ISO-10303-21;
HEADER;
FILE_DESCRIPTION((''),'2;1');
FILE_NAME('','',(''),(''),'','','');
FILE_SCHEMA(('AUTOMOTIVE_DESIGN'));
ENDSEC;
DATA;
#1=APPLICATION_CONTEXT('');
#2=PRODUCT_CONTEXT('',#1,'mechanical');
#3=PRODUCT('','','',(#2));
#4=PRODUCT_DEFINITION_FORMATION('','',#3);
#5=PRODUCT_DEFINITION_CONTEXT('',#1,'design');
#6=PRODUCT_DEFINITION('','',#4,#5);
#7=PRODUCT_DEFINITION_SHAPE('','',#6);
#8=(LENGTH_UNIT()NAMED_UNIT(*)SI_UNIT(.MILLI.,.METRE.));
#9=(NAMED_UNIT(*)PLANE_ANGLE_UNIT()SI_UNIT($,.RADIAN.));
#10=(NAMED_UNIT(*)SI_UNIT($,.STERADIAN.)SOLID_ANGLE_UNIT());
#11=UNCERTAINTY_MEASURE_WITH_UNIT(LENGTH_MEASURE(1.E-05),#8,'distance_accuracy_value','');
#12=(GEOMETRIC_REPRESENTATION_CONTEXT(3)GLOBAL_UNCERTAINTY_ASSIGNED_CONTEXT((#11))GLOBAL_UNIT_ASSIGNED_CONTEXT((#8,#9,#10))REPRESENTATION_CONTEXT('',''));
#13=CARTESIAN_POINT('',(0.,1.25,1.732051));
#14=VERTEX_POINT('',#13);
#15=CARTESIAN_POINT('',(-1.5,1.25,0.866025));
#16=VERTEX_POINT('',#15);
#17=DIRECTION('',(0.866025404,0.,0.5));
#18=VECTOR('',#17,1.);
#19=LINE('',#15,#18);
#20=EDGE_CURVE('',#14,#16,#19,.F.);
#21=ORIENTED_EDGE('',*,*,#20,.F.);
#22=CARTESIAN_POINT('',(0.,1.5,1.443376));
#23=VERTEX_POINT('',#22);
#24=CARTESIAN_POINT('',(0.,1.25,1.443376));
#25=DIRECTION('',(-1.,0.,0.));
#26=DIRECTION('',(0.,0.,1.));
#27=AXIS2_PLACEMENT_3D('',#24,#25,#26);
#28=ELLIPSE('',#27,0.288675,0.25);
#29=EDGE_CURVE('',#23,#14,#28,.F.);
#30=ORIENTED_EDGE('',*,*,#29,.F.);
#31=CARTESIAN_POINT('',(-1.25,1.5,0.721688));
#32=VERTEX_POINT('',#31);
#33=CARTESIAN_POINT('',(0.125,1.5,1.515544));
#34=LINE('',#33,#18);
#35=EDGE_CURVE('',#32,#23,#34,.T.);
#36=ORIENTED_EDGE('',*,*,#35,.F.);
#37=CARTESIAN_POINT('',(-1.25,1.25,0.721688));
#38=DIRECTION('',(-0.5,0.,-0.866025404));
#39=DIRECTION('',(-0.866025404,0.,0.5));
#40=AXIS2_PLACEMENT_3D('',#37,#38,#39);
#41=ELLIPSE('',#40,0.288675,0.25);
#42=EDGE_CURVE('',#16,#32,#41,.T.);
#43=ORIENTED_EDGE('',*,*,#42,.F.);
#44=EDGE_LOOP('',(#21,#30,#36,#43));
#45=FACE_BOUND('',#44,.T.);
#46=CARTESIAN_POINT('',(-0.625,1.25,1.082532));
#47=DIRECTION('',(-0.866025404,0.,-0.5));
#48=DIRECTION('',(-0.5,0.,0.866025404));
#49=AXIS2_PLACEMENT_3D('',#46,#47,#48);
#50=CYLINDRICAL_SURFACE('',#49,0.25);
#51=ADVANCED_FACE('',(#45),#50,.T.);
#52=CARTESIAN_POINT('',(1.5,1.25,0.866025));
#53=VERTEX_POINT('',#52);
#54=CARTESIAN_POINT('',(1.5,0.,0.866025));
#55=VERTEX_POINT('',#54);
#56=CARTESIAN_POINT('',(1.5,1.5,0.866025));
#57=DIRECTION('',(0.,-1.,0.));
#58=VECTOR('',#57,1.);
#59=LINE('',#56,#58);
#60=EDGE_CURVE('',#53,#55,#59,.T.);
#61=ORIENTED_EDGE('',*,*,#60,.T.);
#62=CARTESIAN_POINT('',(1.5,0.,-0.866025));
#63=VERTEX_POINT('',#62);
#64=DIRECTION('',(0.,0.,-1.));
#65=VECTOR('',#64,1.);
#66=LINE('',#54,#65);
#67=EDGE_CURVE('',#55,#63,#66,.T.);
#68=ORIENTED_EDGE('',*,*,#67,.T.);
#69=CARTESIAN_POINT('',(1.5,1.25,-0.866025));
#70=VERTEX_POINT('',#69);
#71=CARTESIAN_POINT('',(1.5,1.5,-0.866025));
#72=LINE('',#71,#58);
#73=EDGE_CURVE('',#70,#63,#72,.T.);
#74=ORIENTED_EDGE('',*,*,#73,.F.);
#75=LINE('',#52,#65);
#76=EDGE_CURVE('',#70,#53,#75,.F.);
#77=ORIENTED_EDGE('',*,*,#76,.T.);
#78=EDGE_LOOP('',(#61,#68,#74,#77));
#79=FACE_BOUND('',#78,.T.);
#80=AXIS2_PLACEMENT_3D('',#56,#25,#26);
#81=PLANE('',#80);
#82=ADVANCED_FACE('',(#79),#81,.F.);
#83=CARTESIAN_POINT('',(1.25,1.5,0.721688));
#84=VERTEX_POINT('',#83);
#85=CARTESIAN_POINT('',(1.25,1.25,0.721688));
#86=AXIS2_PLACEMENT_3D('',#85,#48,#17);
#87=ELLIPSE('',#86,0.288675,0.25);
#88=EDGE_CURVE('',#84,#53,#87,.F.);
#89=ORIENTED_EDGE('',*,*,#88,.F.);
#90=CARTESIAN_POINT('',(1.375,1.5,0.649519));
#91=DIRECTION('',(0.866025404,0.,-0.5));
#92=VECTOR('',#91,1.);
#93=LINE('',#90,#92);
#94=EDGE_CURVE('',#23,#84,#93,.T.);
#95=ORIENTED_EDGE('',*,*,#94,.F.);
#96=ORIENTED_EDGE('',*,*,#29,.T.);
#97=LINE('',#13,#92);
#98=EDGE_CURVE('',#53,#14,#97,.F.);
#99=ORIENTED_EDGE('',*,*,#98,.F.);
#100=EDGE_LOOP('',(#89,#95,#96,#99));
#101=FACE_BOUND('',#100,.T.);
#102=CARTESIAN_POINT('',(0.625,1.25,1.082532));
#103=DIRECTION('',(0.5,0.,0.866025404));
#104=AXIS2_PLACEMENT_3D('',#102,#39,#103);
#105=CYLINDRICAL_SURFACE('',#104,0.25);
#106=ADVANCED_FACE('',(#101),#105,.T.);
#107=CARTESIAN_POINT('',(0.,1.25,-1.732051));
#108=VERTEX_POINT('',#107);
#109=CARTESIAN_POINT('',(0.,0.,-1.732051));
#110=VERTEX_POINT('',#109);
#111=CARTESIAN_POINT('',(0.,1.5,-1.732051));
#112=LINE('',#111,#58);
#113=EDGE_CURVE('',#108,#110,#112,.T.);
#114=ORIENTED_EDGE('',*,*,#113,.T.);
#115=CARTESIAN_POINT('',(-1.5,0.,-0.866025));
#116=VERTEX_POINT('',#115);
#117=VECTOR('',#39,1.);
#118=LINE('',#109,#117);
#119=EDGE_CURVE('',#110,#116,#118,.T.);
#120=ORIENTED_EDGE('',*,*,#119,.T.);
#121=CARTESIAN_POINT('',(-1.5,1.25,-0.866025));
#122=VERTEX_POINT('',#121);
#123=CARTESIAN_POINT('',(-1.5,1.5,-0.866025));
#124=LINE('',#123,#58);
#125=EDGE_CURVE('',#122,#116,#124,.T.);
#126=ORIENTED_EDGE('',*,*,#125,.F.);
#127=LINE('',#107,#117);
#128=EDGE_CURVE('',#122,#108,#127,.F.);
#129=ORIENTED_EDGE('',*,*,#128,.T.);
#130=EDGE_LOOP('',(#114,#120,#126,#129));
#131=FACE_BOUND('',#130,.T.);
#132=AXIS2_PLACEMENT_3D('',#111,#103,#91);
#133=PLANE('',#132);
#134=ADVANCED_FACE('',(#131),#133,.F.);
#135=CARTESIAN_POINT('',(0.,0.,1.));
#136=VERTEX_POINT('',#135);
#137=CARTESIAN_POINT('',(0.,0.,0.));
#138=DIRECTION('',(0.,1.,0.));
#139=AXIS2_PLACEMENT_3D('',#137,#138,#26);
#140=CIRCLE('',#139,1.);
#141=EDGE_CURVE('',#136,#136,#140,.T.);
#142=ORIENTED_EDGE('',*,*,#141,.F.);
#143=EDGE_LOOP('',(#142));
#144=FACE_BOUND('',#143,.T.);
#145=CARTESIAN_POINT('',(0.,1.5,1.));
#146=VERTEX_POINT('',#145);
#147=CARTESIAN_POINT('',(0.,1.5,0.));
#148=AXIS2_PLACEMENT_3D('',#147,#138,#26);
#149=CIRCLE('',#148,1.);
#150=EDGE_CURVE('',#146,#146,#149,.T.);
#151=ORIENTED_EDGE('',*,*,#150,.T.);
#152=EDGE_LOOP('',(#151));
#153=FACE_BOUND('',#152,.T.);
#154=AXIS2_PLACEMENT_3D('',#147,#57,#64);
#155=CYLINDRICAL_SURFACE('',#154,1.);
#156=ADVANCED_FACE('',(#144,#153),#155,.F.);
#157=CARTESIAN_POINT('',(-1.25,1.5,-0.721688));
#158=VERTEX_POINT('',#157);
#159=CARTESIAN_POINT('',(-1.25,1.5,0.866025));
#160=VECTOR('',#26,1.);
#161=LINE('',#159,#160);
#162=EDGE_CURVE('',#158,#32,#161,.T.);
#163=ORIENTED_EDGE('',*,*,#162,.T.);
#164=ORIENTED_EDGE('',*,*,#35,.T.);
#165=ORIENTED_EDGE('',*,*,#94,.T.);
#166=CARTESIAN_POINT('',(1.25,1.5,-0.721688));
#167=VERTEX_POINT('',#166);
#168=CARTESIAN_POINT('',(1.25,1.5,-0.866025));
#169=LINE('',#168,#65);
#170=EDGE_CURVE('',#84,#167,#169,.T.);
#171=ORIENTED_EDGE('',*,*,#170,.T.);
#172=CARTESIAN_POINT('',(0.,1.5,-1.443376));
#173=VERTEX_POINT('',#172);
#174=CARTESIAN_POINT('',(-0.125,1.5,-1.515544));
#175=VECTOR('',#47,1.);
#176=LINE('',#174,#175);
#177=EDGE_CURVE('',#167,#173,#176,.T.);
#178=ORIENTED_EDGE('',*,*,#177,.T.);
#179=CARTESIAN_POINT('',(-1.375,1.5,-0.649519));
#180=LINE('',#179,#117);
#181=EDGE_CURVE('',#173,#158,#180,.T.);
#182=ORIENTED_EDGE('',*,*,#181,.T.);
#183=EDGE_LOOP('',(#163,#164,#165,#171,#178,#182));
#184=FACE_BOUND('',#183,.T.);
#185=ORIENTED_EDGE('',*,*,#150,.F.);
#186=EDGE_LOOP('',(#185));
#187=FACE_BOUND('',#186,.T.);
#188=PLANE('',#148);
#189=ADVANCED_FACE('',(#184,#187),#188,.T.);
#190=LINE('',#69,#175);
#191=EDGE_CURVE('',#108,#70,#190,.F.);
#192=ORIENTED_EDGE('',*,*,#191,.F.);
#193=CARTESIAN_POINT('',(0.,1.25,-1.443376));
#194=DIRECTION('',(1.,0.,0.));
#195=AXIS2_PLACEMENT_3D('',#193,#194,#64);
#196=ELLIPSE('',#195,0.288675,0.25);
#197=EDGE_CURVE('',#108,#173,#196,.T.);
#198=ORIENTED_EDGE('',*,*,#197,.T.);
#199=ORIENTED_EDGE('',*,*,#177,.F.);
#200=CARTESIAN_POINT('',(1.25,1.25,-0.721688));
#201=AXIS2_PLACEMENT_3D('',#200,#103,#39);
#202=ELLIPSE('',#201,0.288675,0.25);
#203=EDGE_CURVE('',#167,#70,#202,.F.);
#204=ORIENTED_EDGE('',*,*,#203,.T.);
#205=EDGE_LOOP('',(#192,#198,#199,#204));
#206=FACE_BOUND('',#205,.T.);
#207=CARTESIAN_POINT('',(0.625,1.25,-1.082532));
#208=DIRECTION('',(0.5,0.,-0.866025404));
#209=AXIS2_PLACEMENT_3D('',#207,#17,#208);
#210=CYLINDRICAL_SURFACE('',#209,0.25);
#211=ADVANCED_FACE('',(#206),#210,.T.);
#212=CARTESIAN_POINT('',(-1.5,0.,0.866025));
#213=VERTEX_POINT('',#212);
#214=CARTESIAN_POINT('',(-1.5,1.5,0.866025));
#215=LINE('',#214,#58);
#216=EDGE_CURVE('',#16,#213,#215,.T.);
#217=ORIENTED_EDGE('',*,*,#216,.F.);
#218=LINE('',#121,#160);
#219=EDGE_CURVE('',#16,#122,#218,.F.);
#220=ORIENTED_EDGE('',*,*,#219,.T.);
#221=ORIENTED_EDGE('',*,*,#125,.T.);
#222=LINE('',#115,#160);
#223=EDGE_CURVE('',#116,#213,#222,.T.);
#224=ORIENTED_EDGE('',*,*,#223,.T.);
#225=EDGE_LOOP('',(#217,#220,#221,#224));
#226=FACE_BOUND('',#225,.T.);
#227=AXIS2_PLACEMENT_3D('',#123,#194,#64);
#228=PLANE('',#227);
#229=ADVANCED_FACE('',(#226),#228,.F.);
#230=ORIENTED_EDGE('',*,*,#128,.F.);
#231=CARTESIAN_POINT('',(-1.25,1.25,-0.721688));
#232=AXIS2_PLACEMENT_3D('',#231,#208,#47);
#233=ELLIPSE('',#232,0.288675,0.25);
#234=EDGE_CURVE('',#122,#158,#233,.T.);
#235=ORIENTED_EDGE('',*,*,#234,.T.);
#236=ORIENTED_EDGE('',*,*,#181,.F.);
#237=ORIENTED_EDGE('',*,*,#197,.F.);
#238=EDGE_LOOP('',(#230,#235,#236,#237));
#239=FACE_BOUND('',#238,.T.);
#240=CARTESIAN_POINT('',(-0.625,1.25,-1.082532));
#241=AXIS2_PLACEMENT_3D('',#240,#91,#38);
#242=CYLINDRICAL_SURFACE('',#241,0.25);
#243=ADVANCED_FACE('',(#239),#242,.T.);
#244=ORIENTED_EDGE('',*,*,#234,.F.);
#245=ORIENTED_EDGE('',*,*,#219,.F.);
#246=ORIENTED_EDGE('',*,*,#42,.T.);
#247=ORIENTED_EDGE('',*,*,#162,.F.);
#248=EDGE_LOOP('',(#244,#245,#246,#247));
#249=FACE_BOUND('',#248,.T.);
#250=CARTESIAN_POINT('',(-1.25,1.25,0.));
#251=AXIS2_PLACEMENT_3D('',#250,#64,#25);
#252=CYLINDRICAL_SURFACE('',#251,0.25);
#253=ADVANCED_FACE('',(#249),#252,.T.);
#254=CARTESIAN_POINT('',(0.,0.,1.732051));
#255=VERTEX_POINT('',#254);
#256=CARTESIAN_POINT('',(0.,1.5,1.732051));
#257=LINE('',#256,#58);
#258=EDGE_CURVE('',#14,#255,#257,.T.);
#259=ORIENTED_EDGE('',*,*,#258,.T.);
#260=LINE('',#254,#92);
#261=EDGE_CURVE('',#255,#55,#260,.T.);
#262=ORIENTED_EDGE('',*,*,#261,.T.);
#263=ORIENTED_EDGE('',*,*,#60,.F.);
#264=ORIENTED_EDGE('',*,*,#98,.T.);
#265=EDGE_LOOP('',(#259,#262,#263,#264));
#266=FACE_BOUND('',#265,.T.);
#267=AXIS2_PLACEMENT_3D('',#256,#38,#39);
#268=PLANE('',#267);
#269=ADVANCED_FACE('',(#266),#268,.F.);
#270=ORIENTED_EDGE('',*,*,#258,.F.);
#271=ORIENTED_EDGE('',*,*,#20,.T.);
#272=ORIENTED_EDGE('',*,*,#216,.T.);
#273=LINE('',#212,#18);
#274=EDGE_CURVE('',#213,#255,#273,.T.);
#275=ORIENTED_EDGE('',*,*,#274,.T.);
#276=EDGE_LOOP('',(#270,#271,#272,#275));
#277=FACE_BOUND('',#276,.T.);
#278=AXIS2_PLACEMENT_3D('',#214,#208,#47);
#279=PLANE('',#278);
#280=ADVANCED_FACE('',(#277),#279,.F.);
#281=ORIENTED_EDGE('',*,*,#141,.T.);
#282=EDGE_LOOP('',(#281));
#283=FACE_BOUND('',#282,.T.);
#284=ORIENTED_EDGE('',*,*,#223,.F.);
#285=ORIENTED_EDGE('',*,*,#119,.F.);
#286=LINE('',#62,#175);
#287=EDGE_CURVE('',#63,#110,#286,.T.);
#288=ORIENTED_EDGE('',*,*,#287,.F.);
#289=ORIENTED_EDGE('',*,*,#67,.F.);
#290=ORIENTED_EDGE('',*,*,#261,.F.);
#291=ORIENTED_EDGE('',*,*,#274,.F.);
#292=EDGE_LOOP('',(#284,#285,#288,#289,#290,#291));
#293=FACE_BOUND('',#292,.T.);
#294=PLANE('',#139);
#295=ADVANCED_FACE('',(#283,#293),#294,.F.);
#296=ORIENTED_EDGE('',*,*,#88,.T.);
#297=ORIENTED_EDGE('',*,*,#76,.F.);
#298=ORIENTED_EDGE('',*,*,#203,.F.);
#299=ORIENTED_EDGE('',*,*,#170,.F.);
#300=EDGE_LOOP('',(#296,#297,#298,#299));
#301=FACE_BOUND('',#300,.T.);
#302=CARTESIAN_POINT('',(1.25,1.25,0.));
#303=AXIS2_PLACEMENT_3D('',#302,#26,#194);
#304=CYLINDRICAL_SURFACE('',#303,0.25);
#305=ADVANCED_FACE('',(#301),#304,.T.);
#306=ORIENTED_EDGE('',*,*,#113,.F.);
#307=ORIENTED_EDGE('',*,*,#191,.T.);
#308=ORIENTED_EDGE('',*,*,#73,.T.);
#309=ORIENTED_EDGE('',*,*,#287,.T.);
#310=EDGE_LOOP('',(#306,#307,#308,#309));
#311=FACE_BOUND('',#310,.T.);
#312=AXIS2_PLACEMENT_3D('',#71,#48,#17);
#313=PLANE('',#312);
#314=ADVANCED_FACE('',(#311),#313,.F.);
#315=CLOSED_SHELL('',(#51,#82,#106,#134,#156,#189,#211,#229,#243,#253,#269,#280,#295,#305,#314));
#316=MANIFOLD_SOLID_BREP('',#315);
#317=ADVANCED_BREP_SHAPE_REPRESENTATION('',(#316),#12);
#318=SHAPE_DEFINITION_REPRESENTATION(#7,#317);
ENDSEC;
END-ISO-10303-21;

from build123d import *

# Parameters (mm, degrees)
SKETCH1_R           = 1
BOSS_EXTRUDE1_DEPTH = 1.5
FILLET1_R           = 0.25


with BuildPart() as part:
    # Sketch1 → Boss-Extrude1 (new body)
    with BuildSketch(Plane(origin=(0, 0, 0), x_dir=(1, 0, 0), z_dir=(0, 1, 0))):
        Polygon((0, 1.732050808), (-1.5, 0.866025404), (-1.5, -0.866025404), (0, -1.732050808), (1.5, -0.866025404), (1.5, 0.866025404), align=None)
        with Locations(Location((0, 0, 0), (0, 0, 270))):
            Circle(SKETCH1_R, mode=Mode.SUBTRACT)
    extrude(amount=BOSS_EXTRUDE1_DEPTH)

    # Fillet1
    fillet1_edges = [part.edges().sort_by_distance(p)[0] for p in [
        (-1.5, 1.5, 0),
        (-0.75, 1.5, 1.299038106),
        (0.75, 1.5, 1.299038106),
        (1.5, 1.5, 0),
        (0.75, 1.5, -1.299038106),
        (-0.75, 1.5, -1.299038106),
    ]]
    fillet(fillet1_edges, radius=FILLET1_R)


solid = part.part
